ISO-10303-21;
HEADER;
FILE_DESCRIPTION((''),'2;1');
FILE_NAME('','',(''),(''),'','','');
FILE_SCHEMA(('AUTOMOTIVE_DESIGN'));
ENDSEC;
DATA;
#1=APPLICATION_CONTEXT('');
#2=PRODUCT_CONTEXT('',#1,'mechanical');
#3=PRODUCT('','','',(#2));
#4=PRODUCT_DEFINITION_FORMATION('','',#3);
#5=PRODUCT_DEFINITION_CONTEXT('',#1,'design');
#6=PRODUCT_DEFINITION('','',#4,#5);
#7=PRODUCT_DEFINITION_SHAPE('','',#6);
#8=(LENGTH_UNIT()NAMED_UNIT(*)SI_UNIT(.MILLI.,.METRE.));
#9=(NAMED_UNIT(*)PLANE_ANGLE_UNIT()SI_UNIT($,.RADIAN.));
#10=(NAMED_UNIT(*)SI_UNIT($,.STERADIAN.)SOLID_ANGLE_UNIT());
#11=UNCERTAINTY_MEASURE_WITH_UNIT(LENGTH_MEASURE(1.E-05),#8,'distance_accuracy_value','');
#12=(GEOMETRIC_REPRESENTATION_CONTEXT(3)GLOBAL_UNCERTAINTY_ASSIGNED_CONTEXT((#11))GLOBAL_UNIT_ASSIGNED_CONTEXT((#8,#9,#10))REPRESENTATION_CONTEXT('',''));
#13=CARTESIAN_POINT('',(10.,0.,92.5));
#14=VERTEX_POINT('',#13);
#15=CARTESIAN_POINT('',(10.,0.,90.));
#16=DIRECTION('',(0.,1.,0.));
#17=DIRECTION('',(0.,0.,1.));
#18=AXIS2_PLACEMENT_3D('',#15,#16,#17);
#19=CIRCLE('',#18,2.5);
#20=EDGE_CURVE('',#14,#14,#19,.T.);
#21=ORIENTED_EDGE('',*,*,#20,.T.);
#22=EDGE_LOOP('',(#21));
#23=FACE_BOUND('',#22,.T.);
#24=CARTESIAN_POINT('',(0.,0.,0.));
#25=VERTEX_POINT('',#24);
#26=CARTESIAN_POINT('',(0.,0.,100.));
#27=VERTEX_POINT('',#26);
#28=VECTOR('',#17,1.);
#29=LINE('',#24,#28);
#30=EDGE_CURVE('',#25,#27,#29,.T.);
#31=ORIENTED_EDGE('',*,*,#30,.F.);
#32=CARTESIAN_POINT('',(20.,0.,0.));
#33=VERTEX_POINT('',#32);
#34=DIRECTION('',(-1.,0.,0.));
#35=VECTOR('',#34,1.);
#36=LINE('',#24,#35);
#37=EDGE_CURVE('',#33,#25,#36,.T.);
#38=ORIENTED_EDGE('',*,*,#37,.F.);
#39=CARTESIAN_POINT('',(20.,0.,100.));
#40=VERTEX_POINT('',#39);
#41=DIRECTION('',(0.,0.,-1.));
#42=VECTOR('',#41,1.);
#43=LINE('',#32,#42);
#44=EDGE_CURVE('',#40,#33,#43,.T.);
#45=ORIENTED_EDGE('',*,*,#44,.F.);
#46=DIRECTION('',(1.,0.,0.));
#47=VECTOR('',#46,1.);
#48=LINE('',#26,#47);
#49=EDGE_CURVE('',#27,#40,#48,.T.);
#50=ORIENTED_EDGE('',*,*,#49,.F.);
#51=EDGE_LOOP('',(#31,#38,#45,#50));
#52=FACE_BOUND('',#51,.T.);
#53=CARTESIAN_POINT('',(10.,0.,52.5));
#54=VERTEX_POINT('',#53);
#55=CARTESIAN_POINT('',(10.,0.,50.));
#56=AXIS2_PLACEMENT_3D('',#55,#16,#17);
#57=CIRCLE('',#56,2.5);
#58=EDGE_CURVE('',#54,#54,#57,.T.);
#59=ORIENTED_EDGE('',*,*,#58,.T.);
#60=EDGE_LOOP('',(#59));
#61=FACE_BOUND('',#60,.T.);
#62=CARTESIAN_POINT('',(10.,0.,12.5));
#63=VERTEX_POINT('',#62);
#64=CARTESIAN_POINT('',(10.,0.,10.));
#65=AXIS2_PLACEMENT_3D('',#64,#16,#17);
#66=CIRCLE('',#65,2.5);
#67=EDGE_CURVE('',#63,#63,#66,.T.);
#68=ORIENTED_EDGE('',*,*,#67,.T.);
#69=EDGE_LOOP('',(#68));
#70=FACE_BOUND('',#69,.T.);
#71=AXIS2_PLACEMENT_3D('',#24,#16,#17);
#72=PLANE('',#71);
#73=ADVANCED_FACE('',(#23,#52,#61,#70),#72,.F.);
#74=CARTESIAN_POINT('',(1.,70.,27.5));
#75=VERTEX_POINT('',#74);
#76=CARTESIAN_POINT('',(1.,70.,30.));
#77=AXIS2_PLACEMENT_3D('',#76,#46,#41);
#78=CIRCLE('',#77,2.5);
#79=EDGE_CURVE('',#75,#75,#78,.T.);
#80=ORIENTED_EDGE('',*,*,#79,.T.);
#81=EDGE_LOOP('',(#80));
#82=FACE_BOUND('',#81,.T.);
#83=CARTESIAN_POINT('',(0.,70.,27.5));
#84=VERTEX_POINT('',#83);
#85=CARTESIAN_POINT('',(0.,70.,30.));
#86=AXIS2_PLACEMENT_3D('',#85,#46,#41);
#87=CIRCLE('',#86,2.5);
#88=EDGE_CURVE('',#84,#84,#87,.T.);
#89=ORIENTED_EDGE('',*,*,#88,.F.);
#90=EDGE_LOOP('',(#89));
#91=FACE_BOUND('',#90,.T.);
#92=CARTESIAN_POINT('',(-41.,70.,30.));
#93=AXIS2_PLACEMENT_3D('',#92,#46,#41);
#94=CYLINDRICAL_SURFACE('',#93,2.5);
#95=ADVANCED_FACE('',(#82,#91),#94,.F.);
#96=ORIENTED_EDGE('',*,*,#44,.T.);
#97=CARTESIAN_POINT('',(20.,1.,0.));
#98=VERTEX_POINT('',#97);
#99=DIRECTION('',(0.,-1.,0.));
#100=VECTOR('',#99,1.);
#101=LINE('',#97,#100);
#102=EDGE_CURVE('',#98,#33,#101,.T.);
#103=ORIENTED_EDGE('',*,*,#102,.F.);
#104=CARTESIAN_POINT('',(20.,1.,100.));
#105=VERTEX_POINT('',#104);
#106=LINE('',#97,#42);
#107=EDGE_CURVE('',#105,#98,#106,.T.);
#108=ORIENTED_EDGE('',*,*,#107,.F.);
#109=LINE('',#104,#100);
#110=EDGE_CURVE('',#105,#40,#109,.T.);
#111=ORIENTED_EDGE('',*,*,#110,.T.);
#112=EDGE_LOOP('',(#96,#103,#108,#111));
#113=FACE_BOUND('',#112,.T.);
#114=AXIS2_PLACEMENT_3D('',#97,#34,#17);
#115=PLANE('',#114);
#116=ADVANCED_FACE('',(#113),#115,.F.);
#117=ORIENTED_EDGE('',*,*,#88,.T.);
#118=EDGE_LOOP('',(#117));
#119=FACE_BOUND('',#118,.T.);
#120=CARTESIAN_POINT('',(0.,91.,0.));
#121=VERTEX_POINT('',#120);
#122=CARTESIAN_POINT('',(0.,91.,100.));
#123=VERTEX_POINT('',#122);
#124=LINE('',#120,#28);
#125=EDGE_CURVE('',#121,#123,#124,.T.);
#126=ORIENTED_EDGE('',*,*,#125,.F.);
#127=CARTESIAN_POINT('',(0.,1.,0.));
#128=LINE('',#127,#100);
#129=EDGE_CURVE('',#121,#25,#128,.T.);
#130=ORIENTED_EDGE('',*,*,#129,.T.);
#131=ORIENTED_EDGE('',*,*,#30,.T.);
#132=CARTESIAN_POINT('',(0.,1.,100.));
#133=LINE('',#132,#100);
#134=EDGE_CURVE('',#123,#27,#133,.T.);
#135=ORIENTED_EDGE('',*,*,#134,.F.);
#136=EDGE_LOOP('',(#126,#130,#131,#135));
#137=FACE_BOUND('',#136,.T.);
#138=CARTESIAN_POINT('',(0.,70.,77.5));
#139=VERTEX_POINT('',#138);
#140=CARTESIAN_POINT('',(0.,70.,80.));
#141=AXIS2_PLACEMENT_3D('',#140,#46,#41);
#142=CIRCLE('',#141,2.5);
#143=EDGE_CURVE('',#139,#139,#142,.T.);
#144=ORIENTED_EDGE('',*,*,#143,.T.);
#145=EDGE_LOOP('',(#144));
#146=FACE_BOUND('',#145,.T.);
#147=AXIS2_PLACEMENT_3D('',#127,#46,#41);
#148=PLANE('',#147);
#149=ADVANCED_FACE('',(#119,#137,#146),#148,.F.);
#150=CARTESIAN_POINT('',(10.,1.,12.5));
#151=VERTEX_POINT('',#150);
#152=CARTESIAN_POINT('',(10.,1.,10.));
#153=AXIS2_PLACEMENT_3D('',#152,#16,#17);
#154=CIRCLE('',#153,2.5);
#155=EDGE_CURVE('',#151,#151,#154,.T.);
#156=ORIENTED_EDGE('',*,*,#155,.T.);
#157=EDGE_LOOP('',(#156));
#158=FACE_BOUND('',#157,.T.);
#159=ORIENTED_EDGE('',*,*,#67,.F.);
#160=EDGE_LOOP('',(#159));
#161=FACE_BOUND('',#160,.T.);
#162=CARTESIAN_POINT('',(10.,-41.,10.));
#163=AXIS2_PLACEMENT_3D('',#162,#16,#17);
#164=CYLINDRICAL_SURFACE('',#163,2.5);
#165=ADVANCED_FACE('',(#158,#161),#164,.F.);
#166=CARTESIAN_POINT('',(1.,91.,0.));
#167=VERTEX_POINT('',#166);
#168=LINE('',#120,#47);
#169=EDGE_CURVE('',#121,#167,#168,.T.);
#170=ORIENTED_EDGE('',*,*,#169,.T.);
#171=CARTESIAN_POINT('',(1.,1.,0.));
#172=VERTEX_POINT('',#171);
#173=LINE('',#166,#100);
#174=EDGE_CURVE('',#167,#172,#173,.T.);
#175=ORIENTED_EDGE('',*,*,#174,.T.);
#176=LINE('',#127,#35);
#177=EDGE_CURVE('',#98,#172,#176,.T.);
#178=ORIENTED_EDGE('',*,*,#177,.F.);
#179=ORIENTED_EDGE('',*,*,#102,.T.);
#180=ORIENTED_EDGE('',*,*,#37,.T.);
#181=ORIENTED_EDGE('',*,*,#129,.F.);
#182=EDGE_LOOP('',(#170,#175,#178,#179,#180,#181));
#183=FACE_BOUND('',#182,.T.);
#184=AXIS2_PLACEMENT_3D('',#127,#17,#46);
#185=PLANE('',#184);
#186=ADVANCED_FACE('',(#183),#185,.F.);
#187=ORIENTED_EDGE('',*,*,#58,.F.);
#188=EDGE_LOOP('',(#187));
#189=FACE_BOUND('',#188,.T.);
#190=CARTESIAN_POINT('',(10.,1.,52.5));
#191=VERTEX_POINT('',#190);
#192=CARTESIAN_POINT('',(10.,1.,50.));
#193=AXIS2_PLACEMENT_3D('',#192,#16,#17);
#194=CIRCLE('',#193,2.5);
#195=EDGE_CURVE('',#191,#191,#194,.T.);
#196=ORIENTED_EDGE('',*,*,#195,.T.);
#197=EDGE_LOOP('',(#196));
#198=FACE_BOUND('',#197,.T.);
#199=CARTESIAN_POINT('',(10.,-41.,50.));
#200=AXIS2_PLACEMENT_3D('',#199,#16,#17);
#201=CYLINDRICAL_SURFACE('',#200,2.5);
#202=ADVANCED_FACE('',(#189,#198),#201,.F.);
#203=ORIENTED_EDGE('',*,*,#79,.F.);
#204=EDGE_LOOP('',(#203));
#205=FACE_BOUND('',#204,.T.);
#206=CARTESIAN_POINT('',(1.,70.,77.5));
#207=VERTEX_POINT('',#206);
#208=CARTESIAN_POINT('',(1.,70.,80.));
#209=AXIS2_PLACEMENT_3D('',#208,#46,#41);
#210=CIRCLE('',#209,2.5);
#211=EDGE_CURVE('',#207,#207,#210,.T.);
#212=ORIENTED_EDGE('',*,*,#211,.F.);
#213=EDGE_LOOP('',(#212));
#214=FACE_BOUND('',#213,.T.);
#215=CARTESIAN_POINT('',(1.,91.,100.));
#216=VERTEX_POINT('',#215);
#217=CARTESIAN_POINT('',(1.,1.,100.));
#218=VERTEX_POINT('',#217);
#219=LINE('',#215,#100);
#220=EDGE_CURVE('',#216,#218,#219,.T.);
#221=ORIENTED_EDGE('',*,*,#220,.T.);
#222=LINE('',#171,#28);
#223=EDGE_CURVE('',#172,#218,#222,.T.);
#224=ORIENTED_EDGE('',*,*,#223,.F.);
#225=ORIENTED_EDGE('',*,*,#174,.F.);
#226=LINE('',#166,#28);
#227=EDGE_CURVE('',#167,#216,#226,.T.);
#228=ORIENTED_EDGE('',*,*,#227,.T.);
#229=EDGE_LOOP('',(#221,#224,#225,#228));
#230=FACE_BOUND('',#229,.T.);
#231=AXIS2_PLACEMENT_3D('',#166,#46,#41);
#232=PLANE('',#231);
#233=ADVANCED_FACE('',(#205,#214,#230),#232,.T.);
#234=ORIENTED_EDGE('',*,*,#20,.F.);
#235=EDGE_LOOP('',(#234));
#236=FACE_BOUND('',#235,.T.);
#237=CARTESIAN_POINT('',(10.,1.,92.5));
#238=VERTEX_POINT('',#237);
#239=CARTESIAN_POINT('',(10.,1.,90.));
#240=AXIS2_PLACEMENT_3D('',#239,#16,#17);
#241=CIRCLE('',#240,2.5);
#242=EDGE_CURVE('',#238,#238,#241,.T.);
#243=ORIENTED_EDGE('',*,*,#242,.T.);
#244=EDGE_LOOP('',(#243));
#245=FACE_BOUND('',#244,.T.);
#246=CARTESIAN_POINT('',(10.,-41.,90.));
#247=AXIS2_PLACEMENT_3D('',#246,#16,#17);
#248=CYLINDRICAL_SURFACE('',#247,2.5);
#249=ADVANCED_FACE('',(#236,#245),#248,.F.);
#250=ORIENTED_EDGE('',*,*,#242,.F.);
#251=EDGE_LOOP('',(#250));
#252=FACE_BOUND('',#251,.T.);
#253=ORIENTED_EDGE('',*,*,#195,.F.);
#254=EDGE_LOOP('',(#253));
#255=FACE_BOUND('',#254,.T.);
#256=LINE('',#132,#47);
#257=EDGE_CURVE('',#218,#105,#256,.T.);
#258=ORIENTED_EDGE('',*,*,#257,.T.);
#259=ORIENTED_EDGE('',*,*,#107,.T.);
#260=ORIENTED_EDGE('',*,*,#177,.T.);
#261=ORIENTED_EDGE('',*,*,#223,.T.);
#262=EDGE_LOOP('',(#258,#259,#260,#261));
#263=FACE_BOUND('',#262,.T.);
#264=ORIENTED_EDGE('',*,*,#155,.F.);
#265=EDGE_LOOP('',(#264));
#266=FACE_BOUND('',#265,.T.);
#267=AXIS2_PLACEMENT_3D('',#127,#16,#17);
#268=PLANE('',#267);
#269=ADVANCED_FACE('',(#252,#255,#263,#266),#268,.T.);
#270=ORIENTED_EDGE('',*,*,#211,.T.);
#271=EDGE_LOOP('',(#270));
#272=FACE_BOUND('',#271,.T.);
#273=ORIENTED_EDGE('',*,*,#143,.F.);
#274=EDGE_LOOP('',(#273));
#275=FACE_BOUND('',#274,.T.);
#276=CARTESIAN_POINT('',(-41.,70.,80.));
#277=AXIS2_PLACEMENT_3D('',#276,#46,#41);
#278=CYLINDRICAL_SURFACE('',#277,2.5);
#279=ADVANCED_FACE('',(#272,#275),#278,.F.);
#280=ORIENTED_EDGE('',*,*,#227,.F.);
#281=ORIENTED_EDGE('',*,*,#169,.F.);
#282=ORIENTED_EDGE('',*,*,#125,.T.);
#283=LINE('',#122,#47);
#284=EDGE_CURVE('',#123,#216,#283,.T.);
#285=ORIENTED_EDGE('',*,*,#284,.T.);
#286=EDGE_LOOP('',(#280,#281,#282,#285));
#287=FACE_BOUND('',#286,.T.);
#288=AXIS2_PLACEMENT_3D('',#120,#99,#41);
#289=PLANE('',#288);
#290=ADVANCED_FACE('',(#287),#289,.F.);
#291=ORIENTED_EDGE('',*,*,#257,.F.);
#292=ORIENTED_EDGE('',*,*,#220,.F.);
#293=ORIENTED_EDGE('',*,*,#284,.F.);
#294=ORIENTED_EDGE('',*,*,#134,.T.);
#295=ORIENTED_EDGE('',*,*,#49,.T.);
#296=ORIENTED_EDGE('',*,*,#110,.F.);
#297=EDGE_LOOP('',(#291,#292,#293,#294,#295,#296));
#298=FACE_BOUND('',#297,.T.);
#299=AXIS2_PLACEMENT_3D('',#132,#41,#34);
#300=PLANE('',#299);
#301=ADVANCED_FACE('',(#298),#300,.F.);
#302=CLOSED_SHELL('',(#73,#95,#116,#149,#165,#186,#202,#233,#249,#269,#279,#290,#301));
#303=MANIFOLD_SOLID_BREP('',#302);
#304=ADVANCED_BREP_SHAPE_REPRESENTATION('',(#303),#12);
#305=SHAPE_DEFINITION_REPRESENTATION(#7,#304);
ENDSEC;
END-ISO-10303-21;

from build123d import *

# Parameters (mm, degrees)
SCHIZZO1_W                   = 20
SCHIZZO1_H                   = 100
ESTRUSIONE_ESTRUSIONE1_DEPTH = 1
SCHIZZO2_W                   = 1
SCHIZZO2_H                   = 100
ESTRUSIONE_ESTRUSIONE2_DEPTH = 90
SCHIZZO3_R                   = 2.5
TAGLIO_ESTRUSIONE1_DEPTH     = 42
SCHIZZO4_R                   = 2.5
TAGLIO_ESTRUSIONE2_DEPTH     = 42


with BuildPart() as part:
    # Schizzo1 → Estrusione-Estrusione1 (new body)
    with BuildSketch(Plane(origin=(0, 0, 0), x_dir=(1, 0, 0), z_dir=(0, 1, 0))):
        with Locations((10, -50)):
            Rectangle(SCHIZZO1_W, SCHIZZO1_H)
    extrude(amount=ESTRUSIONE_ESTRUSIONE1_DEPTH)

    # Schizzo2 → Estrusione-Estrusione2 (add)
    with BuildSketch(Plane(origin=(0, 1, 0), x_dir=(1, 0, 0), z_dir=(0, 1, 0))):
        with Locations((0.5, -50)):
            Rectangle(SCHIZZO2_W, SCHIZZO2_H)
    extrude(amount=ESTRUSIONE_ESTRUSIONE2_DEPTH)

    # Schizzo3 → Taglio-Estrusione1 (cut)
    with BuildSketch(Plane(origin=(0, 1, 0), x_dir=(1, 0, 0), z_dir=(0, 1, 0))):
        with Locations((10, -90)):
            Circle(SCHIZZO3_R)
        with Locations((10, -50)):
            Circle(SCHIZZO3_R)
        with Locations((10, -10)):
            Circle(SCHIZZO3_R)
    extrude(amount=-TAGLIO_ESTRUSIONE1_DEPTH, mode=Mode.SUBTRACT)

    # Schizzo4 → Taglio-Estrusione2 (cut)
    with BuildSketch(Plane(origin=(1, 0, 0), x_dir=(0, 0, -1), z_dir=(1, 0, 0))):
        with Locations((-30, 70)):
            Circle(SCHIZZO4_R)
        with Locations((-80, 70)):
            Circle(SCHIZZO4_R)
    extrude(amount=-TAGLIO_ESTRUSIONE2_DEPTH, mode=Mode.SUBTRACT)


solid = part.part
